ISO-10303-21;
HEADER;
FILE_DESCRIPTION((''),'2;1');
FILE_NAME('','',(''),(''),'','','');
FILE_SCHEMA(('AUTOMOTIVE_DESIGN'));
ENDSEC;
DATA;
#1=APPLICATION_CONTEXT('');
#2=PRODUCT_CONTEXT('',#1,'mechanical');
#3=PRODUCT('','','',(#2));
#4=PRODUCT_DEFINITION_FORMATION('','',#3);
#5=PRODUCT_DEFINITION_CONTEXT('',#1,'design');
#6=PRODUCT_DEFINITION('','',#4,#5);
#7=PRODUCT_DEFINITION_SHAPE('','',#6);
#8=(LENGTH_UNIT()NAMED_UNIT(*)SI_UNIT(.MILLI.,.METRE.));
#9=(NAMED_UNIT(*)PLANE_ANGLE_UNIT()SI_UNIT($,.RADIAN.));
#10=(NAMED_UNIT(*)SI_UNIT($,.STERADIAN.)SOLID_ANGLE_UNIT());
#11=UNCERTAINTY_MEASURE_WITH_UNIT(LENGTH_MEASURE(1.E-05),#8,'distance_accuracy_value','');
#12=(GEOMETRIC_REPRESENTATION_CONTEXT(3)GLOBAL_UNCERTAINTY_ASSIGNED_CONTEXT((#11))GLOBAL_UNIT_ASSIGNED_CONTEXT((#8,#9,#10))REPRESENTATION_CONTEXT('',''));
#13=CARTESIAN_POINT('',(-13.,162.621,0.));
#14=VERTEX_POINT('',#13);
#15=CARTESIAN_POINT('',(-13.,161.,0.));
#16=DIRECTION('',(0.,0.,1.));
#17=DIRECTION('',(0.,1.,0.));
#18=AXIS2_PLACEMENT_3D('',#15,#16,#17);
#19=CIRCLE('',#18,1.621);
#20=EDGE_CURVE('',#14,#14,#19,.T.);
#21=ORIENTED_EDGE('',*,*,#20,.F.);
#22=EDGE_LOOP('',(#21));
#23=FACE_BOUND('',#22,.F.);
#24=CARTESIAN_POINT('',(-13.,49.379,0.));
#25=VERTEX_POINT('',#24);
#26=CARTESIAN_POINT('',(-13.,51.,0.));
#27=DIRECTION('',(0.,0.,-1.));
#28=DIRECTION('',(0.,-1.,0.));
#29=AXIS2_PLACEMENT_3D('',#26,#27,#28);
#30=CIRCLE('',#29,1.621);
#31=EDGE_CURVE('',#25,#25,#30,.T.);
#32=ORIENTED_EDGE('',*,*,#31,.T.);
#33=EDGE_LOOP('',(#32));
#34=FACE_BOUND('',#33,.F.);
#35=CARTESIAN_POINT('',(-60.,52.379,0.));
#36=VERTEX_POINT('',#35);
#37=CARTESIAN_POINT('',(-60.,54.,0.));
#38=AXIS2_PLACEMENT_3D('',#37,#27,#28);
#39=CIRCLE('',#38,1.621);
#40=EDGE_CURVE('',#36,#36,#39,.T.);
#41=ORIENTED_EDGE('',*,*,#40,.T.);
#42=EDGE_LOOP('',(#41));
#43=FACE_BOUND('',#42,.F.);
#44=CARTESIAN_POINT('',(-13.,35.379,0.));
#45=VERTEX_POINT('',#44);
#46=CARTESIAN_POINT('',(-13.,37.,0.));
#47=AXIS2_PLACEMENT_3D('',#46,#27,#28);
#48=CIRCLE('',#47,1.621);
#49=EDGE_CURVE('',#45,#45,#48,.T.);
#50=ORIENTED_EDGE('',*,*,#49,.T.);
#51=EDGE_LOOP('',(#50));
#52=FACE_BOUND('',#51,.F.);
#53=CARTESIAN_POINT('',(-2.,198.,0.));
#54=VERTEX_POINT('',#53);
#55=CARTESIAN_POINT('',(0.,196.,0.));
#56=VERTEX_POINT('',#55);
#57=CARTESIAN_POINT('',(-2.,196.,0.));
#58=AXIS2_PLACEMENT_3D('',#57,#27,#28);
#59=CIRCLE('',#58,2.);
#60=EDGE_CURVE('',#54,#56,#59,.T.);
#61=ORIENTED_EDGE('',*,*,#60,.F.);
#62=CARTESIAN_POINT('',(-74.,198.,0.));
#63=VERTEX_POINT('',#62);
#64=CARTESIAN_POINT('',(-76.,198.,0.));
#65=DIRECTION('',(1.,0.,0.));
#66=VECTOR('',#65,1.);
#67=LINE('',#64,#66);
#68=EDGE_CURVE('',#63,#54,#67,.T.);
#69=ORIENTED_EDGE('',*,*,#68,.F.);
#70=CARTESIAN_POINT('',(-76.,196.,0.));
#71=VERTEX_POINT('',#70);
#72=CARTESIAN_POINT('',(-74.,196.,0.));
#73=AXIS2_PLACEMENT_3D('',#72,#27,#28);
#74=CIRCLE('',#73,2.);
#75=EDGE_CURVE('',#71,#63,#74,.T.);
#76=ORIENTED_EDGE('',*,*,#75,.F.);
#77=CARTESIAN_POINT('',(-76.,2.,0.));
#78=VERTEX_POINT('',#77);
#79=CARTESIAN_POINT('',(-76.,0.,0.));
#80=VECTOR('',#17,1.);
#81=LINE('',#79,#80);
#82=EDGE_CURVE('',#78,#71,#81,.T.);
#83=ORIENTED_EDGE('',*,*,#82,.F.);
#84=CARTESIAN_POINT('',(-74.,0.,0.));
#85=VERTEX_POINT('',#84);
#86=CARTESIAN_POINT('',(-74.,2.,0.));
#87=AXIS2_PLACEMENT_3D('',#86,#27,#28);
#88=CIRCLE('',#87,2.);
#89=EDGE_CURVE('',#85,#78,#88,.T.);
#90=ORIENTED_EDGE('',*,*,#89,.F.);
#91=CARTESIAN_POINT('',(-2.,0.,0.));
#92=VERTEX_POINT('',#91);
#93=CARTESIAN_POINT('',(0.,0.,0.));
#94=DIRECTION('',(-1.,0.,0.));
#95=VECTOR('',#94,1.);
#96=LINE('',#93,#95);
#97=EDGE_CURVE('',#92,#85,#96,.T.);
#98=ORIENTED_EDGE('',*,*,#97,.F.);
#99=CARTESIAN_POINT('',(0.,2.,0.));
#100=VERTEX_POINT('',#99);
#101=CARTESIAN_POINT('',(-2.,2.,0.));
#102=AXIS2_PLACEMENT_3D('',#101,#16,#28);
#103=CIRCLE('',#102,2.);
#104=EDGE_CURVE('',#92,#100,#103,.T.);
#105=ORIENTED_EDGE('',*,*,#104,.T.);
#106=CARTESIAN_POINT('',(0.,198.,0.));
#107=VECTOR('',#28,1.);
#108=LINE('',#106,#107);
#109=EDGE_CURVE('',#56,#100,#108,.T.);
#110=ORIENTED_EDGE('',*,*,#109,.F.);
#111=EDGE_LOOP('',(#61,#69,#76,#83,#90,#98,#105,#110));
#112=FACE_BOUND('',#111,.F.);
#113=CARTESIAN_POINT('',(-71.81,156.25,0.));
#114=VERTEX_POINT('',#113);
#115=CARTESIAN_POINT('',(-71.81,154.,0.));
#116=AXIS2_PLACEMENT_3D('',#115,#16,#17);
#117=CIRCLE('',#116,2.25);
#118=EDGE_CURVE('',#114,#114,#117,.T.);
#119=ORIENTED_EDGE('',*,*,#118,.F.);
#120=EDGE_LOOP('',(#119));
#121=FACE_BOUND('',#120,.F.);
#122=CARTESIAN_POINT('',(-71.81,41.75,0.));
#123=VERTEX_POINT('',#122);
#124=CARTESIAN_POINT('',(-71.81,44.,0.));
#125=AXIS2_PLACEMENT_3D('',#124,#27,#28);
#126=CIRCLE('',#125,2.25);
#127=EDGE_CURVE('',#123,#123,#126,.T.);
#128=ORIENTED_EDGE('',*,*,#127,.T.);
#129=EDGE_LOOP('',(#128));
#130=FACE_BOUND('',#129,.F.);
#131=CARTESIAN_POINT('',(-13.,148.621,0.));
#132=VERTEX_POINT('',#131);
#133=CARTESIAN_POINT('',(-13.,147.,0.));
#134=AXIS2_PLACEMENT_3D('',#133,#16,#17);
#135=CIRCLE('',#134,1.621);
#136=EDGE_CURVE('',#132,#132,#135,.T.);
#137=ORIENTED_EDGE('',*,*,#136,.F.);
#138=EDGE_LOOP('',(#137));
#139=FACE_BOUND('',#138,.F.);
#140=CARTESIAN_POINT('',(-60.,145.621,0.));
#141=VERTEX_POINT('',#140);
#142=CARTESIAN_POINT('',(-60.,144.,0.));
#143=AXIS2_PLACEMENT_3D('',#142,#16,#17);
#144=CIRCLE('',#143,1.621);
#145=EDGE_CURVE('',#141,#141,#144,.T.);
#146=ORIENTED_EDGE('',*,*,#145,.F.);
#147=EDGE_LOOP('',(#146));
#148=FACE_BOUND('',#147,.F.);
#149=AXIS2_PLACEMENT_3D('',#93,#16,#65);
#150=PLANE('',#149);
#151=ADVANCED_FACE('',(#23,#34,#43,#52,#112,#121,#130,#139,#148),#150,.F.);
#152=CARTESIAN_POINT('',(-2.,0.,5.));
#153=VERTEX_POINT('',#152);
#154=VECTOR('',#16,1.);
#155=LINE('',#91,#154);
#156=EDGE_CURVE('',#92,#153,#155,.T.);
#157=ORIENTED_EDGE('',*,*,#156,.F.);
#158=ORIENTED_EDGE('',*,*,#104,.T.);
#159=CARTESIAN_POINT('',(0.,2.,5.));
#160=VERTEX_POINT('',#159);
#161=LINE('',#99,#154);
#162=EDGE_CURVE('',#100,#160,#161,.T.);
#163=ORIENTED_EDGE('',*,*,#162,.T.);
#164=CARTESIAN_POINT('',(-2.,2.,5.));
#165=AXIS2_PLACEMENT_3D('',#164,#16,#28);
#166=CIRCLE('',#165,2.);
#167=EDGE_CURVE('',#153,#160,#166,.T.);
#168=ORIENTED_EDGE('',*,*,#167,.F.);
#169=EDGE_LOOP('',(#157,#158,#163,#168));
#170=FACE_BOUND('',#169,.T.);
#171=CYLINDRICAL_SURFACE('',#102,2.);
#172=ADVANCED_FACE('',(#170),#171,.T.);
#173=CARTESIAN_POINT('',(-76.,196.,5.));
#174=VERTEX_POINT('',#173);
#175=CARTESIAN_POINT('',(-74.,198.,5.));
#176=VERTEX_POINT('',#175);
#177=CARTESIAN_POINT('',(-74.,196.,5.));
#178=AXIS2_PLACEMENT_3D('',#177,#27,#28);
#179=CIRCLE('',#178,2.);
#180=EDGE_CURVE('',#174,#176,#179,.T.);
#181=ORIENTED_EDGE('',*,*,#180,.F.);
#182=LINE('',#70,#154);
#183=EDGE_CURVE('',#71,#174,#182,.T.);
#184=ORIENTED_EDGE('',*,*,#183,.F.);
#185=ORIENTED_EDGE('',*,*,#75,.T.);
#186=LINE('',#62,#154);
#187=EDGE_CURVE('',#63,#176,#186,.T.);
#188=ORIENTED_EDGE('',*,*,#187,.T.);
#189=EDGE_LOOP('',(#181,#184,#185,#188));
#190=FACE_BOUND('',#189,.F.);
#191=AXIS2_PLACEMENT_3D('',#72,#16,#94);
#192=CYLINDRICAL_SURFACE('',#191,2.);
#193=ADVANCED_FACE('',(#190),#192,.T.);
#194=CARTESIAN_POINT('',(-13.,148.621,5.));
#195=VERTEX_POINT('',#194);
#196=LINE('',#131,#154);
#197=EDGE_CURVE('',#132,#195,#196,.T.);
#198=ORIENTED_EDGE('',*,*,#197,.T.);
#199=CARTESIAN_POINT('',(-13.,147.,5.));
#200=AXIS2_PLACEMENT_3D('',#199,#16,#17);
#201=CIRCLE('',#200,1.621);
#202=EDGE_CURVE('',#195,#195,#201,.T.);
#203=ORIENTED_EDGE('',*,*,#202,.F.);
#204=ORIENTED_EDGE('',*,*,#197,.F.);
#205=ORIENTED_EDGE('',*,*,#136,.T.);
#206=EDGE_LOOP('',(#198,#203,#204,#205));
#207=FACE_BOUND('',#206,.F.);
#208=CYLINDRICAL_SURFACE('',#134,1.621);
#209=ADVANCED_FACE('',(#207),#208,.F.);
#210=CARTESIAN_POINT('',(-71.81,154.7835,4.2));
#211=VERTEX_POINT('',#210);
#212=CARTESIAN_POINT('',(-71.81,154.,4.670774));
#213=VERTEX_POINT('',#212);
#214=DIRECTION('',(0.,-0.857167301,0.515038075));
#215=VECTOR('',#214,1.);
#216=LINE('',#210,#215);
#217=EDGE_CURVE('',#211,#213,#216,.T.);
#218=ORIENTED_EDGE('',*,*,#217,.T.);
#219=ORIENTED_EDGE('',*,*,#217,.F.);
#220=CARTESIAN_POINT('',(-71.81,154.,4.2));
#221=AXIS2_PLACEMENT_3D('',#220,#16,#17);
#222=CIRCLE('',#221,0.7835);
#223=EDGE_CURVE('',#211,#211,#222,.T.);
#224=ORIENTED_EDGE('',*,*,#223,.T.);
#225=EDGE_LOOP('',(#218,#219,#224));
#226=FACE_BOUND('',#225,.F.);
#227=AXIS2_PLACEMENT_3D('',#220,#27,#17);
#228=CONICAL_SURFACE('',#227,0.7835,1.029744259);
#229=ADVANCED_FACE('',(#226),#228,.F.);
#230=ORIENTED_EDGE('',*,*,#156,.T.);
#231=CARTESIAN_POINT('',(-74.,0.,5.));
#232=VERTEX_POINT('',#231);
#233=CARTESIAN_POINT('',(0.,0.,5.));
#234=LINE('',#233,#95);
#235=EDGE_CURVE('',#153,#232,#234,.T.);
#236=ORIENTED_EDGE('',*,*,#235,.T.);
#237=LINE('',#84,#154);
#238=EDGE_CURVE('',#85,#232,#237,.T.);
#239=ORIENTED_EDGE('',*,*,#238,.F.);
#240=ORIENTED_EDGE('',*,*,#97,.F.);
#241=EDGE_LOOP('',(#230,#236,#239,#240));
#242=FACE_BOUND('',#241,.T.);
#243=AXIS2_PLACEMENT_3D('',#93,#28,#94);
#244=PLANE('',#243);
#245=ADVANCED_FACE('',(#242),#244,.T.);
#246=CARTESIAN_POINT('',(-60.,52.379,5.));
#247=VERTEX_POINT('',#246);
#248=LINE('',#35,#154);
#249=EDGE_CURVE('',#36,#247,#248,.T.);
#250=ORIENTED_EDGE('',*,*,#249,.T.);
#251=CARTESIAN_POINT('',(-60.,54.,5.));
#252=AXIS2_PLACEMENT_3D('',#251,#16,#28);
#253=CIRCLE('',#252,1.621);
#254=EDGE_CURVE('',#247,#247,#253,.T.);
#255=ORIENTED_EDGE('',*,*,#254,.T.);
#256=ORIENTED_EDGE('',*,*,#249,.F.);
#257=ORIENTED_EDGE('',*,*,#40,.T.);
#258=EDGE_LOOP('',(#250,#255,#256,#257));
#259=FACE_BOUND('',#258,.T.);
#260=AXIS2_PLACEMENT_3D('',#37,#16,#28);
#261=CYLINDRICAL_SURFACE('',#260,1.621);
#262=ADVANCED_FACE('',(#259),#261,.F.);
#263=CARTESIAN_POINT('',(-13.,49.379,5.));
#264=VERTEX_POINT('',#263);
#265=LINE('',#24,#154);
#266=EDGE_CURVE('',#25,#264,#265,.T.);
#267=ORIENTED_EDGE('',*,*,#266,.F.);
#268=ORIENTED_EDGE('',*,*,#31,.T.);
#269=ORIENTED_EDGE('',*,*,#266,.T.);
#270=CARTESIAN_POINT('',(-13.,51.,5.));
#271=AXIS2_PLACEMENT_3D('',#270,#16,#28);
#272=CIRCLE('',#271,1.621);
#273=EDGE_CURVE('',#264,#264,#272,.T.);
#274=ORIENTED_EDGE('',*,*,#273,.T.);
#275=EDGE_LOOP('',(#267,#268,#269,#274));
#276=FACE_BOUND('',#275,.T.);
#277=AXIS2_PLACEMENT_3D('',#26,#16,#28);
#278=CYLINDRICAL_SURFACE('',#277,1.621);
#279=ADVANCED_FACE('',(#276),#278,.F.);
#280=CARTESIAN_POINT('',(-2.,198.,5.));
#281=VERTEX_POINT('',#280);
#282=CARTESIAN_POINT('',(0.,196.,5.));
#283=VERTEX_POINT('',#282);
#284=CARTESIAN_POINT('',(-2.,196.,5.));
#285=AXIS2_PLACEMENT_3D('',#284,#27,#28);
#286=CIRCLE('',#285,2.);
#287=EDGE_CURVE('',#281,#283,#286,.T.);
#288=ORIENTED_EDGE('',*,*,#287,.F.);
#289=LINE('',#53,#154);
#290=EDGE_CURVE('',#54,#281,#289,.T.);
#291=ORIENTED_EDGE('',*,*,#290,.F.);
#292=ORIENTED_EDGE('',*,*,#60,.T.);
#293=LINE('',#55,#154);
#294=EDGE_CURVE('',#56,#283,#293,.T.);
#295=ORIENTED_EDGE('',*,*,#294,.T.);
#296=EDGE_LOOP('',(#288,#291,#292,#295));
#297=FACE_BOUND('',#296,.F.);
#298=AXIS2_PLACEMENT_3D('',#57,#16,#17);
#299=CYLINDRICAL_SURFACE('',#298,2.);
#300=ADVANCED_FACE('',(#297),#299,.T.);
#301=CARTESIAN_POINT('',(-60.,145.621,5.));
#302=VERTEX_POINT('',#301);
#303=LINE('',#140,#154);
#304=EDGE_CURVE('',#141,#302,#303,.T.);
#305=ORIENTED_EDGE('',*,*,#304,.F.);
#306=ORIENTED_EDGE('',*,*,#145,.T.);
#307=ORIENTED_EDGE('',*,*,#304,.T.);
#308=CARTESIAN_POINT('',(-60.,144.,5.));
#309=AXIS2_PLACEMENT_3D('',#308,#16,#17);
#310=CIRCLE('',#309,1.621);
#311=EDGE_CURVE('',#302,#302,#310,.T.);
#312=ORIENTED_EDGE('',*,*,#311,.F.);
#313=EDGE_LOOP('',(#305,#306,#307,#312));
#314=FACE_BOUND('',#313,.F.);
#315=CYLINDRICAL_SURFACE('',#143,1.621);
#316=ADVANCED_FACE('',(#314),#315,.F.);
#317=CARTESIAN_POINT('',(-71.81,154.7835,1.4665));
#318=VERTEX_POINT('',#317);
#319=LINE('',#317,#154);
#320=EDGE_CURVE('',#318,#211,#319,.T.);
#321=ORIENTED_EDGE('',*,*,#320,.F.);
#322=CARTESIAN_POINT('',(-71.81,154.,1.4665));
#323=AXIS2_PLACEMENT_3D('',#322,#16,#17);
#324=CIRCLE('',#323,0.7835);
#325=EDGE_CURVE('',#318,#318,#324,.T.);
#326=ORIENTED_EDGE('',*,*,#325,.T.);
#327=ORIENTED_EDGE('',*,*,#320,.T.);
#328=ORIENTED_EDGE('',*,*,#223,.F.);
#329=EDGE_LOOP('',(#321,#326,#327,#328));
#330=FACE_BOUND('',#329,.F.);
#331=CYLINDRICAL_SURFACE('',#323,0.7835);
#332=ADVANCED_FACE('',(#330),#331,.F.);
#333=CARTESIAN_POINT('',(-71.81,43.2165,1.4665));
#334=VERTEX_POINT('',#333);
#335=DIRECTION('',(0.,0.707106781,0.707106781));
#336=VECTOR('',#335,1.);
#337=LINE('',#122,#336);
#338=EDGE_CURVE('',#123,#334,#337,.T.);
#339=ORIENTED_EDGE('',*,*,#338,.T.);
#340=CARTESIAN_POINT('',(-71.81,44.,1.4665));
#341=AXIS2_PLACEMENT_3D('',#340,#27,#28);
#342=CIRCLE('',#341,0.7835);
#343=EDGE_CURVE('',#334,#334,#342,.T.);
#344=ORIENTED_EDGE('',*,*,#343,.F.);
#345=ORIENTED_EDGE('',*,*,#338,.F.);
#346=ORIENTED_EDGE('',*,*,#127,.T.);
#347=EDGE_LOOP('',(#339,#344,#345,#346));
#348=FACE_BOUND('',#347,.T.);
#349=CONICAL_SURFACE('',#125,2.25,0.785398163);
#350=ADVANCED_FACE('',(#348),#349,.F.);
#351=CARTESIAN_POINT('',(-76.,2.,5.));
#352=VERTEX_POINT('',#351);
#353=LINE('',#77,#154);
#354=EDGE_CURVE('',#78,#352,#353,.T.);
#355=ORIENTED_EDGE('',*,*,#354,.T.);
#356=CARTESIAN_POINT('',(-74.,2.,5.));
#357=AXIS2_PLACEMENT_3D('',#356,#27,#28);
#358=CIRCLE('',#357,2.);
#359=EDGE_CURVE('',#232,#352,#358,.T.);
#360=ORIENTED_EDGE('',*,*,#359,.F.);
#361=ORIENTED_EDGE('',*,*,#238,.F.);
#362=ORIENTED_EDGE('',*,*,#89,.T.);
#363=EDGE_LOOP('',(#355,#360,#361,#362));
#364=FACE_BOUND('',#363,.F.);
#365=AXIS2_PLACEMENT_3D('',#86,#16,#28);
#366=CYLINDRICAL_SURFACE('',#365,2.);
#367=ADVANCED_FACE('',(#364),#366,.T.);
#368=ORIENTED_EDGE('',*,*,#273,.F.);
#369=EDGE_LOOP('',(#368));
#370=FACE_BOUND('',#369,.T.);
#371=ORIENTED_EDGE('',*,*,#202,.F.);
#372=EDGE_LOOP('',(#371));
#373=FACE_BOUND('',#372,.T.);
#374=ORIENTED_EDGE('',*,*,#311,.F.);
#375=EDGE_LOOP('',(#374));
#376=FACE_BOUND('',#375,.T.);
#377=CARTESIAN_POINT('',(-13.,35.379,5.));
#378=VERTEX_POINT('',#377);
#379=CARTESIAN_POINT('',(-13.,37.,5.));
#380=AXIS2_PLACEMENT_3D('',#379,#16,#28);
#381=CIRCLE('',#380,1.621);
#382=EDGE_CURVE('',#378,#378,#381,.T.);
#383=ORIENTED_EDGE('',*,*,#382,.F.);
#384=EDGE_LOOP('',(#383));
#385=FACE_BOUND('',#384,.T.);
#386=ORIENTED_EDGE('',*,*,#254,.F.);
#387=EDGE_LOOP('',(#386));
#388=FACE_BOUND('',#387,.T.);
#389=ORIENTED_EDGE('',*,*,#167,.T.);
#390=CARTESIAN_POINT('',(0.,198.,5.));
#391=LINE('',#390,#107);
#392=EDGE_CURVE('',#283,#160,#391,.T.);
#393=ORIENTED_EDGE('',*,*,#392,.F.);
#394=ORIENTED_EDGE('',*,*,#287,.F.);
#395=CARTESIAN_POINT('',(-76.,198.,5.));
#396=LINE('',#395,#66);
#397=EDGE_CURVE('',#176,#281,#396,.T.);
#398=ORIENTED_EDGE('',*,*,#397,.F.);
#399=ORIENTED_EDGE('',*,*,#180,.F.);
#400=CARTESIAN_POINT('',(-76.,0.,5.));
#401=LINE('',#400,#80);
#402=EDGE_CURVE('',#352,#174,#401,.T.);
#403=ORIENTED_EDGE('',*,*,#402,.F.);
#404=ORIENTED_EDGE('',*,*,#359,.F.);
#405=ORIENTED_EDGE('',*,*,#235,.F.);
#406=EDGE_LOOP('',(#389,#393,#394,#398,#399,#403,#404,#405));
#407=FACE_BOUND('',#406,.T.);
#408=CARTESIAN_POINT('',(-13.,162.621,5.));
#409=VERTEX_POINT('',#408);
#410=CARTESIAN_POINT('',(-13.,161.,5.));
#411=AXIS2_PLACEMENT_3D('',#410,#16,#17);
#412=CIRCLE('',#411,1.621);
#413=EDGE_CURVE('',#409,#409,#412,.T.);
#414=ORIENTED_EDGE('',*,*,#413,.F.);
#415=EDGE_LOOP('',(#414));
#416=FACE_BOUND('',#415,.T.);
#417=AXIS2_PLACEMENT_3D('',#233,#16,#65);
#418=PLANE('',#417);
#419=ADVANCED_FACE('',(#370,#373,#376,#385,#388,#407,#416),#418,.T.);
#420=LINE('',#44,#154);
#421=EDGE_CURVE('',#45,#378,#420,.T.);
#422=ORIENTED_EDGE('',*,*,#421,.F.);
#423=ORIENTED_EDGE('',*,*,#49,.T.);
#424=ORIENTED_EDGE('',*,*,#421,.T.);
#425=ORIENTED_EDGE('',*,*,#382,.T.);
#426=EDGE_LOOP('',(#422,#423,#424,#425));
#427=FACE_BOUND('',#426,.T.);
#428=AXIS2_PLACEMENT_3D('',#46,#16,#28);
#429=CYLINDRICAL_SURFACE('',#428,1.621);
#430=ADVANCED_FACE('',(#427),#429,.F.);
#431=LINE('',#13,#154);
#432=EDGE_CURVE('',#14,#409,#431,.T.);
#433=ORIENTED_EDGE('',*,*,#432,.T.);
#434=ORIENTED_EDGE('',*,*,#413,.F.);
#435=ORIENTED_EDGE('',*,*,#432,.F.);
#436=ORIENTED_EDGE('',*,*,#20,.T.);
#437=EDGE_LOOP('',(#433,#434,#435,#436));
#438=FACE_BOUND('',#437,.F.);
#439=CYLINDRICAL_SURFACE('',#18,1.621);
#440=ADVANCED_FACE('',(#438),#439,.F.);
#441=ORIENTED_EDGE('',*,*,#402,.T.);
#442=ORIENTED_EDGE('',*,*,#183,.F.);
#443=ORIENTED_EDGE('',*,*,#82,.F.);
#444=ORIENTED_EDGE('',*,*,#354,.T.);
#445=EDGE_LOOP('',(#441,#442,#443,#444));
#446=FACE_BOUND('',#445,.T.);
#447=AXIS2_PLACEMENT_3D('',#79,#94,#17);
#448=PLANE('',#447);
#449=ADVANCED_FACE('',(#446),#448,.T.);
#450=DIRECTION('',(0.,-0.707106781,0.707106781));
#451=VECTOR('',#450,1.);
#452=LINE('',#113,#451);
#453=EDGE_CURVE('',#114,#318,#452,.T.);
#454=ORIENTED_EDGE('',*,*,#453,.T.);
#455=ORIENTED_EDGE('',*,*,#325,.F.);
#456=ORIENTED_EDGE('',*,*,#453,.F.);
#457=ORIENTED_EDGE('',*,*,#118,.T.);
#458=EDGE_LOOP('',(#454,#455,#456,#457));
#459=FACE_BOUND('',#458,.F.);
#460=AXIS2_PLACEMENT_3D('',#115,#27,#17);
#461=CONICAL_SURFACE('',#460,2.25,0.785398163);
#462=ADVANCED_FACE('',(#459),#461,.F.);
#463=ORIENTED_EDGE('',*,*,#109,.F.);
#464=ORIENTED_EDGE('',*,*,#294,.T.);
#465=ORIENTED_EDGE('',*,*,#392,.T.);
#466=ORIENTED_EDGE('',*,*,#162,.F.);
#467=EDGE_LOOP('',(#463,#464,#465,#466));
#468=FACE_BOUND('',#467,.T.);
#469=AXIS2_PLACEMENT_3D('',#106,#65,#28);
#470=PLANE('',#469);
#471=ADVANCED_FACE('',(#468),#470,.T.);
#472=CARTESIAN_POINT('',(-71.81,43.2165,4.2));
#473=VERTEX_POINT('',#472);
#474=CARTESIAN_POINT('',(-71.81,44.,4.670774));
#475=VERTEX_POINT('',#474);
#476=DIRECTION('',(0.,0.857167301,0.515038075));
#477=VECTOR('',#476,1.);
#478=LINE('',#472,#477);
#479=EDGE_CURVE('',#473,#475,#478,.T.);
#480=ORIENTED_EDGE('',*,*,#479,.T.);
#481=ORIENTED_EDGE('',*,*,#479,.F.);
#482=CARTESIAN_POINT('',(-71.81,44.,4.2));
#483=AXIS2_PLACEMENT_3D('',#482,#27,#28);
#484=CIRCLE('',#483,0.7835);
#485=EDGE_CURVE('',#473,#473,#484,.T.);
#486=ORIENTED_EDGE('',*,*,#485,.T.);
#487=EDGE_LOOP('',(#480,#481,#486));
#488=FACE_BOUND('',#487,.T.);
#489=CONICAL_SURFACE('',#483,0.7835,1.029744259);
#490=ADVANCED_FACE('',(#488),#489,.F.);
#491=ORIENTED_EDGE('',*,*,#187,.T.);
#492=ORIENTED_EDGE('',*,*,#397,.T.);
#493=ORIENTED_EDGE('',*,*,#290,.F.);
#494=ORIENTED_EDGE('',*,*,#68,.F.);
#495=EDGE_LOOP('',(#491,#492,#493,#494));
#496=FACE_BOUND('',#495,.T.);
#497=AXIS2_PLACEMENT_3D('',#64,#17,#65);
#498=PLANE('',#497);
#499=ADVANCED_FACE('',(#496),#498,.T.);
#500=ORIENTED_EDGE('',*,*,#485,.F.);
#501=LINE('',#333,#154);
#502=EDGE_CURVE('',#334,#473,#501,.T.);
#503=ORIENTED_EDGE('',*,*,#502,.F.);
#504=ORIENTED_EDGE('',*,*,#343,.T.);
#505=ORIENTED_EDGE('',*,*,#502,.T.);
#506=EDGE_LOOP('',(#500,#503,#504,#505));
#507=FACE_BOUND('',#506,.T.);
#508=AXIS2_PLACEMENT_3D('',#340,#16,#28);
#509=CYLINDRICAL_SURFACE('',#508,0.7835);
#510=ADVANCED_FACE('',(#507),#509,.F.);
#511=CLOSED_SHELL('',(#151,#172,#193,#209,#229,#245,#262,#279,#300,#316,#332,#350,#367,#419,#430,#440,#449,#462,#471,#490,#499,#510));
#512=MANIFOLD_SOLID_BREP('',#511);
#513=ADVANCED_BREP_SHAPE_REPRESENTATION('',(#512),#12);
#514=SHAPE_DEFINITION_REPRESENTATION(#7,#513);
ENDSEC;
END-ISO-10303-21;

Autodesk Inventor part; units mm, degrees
ref_plane "YZ Plane" through (0, 0, 0) normal (1, 0, 0) x (0, 1, 0)
ref_plane "XZ Plane" through (0, 0, 0) normal (0, 1, 0) x (-1, 0, 0)
sketch "Skizze3" plane through (0, 0, 0) normal (0, 0, 1) x (1, 0, 0)
  line L0 (0, 0) -> (-76, 0)
  line L1 (-76, 0) -> (-76, 198)
  line L2 (-76, 198) -> (0, 198)
  line L3 (0, 198) -> (0, 0)
  point P0 (-13, 161)
  point P1 (-13, 147)
  point P2 (-71.81, 154)
  point P3 (-60, 144)
  dimension "d4" = 198
  dimension "d5" = 76
  dimension "d9" = 37
  dimension "d10" = 51
  dimension "d11" = 13
  dimension "d12" = 13
  dimension "d13" = 71.81
  dimension "d14" = 44
  dimension "d15" = 60
  dimension "d16" = 54
extrude "Extrusion3" add sketch "Skizze3" along normal blind 5
fillet "Rundung1" radius 2 4 edges at (0, 198, 2.5) (-76, 198, 2.5) (-76, 0, 2.5) (0, 0, 2.5)
ref_plane "Arbeitsebene1" through (-76, 99, 0) normal (0, -1, 0) x (1, 0, 0)
hole "Bohrung1" at (-13, 161, 0) at (-13, 147, 0) at (-60, 144, 0) direction (0, 0, 1) diameter 3.242 end through all thread size "M4x0.7" class "6H" standard "ISO Metric profile"
hole "Bohrung2" at (-71.81, 154, 0) direction (0, 0, 1) diameter 1.567 depth 4.2 tip angle 118 countersink diameter 4.5 countersink angle 90 thread size "M2x0.4" class "6H" standard "ISO Metric profile"
mirror "Spiegeln1" about plane through (-76, 99, 0) normal (0, -1, 0) of "Bohrung2", "Bohrung1"
equation "\"d12\" = d11"
properties part number "BT703_trajan20_21" material "Acryl"
